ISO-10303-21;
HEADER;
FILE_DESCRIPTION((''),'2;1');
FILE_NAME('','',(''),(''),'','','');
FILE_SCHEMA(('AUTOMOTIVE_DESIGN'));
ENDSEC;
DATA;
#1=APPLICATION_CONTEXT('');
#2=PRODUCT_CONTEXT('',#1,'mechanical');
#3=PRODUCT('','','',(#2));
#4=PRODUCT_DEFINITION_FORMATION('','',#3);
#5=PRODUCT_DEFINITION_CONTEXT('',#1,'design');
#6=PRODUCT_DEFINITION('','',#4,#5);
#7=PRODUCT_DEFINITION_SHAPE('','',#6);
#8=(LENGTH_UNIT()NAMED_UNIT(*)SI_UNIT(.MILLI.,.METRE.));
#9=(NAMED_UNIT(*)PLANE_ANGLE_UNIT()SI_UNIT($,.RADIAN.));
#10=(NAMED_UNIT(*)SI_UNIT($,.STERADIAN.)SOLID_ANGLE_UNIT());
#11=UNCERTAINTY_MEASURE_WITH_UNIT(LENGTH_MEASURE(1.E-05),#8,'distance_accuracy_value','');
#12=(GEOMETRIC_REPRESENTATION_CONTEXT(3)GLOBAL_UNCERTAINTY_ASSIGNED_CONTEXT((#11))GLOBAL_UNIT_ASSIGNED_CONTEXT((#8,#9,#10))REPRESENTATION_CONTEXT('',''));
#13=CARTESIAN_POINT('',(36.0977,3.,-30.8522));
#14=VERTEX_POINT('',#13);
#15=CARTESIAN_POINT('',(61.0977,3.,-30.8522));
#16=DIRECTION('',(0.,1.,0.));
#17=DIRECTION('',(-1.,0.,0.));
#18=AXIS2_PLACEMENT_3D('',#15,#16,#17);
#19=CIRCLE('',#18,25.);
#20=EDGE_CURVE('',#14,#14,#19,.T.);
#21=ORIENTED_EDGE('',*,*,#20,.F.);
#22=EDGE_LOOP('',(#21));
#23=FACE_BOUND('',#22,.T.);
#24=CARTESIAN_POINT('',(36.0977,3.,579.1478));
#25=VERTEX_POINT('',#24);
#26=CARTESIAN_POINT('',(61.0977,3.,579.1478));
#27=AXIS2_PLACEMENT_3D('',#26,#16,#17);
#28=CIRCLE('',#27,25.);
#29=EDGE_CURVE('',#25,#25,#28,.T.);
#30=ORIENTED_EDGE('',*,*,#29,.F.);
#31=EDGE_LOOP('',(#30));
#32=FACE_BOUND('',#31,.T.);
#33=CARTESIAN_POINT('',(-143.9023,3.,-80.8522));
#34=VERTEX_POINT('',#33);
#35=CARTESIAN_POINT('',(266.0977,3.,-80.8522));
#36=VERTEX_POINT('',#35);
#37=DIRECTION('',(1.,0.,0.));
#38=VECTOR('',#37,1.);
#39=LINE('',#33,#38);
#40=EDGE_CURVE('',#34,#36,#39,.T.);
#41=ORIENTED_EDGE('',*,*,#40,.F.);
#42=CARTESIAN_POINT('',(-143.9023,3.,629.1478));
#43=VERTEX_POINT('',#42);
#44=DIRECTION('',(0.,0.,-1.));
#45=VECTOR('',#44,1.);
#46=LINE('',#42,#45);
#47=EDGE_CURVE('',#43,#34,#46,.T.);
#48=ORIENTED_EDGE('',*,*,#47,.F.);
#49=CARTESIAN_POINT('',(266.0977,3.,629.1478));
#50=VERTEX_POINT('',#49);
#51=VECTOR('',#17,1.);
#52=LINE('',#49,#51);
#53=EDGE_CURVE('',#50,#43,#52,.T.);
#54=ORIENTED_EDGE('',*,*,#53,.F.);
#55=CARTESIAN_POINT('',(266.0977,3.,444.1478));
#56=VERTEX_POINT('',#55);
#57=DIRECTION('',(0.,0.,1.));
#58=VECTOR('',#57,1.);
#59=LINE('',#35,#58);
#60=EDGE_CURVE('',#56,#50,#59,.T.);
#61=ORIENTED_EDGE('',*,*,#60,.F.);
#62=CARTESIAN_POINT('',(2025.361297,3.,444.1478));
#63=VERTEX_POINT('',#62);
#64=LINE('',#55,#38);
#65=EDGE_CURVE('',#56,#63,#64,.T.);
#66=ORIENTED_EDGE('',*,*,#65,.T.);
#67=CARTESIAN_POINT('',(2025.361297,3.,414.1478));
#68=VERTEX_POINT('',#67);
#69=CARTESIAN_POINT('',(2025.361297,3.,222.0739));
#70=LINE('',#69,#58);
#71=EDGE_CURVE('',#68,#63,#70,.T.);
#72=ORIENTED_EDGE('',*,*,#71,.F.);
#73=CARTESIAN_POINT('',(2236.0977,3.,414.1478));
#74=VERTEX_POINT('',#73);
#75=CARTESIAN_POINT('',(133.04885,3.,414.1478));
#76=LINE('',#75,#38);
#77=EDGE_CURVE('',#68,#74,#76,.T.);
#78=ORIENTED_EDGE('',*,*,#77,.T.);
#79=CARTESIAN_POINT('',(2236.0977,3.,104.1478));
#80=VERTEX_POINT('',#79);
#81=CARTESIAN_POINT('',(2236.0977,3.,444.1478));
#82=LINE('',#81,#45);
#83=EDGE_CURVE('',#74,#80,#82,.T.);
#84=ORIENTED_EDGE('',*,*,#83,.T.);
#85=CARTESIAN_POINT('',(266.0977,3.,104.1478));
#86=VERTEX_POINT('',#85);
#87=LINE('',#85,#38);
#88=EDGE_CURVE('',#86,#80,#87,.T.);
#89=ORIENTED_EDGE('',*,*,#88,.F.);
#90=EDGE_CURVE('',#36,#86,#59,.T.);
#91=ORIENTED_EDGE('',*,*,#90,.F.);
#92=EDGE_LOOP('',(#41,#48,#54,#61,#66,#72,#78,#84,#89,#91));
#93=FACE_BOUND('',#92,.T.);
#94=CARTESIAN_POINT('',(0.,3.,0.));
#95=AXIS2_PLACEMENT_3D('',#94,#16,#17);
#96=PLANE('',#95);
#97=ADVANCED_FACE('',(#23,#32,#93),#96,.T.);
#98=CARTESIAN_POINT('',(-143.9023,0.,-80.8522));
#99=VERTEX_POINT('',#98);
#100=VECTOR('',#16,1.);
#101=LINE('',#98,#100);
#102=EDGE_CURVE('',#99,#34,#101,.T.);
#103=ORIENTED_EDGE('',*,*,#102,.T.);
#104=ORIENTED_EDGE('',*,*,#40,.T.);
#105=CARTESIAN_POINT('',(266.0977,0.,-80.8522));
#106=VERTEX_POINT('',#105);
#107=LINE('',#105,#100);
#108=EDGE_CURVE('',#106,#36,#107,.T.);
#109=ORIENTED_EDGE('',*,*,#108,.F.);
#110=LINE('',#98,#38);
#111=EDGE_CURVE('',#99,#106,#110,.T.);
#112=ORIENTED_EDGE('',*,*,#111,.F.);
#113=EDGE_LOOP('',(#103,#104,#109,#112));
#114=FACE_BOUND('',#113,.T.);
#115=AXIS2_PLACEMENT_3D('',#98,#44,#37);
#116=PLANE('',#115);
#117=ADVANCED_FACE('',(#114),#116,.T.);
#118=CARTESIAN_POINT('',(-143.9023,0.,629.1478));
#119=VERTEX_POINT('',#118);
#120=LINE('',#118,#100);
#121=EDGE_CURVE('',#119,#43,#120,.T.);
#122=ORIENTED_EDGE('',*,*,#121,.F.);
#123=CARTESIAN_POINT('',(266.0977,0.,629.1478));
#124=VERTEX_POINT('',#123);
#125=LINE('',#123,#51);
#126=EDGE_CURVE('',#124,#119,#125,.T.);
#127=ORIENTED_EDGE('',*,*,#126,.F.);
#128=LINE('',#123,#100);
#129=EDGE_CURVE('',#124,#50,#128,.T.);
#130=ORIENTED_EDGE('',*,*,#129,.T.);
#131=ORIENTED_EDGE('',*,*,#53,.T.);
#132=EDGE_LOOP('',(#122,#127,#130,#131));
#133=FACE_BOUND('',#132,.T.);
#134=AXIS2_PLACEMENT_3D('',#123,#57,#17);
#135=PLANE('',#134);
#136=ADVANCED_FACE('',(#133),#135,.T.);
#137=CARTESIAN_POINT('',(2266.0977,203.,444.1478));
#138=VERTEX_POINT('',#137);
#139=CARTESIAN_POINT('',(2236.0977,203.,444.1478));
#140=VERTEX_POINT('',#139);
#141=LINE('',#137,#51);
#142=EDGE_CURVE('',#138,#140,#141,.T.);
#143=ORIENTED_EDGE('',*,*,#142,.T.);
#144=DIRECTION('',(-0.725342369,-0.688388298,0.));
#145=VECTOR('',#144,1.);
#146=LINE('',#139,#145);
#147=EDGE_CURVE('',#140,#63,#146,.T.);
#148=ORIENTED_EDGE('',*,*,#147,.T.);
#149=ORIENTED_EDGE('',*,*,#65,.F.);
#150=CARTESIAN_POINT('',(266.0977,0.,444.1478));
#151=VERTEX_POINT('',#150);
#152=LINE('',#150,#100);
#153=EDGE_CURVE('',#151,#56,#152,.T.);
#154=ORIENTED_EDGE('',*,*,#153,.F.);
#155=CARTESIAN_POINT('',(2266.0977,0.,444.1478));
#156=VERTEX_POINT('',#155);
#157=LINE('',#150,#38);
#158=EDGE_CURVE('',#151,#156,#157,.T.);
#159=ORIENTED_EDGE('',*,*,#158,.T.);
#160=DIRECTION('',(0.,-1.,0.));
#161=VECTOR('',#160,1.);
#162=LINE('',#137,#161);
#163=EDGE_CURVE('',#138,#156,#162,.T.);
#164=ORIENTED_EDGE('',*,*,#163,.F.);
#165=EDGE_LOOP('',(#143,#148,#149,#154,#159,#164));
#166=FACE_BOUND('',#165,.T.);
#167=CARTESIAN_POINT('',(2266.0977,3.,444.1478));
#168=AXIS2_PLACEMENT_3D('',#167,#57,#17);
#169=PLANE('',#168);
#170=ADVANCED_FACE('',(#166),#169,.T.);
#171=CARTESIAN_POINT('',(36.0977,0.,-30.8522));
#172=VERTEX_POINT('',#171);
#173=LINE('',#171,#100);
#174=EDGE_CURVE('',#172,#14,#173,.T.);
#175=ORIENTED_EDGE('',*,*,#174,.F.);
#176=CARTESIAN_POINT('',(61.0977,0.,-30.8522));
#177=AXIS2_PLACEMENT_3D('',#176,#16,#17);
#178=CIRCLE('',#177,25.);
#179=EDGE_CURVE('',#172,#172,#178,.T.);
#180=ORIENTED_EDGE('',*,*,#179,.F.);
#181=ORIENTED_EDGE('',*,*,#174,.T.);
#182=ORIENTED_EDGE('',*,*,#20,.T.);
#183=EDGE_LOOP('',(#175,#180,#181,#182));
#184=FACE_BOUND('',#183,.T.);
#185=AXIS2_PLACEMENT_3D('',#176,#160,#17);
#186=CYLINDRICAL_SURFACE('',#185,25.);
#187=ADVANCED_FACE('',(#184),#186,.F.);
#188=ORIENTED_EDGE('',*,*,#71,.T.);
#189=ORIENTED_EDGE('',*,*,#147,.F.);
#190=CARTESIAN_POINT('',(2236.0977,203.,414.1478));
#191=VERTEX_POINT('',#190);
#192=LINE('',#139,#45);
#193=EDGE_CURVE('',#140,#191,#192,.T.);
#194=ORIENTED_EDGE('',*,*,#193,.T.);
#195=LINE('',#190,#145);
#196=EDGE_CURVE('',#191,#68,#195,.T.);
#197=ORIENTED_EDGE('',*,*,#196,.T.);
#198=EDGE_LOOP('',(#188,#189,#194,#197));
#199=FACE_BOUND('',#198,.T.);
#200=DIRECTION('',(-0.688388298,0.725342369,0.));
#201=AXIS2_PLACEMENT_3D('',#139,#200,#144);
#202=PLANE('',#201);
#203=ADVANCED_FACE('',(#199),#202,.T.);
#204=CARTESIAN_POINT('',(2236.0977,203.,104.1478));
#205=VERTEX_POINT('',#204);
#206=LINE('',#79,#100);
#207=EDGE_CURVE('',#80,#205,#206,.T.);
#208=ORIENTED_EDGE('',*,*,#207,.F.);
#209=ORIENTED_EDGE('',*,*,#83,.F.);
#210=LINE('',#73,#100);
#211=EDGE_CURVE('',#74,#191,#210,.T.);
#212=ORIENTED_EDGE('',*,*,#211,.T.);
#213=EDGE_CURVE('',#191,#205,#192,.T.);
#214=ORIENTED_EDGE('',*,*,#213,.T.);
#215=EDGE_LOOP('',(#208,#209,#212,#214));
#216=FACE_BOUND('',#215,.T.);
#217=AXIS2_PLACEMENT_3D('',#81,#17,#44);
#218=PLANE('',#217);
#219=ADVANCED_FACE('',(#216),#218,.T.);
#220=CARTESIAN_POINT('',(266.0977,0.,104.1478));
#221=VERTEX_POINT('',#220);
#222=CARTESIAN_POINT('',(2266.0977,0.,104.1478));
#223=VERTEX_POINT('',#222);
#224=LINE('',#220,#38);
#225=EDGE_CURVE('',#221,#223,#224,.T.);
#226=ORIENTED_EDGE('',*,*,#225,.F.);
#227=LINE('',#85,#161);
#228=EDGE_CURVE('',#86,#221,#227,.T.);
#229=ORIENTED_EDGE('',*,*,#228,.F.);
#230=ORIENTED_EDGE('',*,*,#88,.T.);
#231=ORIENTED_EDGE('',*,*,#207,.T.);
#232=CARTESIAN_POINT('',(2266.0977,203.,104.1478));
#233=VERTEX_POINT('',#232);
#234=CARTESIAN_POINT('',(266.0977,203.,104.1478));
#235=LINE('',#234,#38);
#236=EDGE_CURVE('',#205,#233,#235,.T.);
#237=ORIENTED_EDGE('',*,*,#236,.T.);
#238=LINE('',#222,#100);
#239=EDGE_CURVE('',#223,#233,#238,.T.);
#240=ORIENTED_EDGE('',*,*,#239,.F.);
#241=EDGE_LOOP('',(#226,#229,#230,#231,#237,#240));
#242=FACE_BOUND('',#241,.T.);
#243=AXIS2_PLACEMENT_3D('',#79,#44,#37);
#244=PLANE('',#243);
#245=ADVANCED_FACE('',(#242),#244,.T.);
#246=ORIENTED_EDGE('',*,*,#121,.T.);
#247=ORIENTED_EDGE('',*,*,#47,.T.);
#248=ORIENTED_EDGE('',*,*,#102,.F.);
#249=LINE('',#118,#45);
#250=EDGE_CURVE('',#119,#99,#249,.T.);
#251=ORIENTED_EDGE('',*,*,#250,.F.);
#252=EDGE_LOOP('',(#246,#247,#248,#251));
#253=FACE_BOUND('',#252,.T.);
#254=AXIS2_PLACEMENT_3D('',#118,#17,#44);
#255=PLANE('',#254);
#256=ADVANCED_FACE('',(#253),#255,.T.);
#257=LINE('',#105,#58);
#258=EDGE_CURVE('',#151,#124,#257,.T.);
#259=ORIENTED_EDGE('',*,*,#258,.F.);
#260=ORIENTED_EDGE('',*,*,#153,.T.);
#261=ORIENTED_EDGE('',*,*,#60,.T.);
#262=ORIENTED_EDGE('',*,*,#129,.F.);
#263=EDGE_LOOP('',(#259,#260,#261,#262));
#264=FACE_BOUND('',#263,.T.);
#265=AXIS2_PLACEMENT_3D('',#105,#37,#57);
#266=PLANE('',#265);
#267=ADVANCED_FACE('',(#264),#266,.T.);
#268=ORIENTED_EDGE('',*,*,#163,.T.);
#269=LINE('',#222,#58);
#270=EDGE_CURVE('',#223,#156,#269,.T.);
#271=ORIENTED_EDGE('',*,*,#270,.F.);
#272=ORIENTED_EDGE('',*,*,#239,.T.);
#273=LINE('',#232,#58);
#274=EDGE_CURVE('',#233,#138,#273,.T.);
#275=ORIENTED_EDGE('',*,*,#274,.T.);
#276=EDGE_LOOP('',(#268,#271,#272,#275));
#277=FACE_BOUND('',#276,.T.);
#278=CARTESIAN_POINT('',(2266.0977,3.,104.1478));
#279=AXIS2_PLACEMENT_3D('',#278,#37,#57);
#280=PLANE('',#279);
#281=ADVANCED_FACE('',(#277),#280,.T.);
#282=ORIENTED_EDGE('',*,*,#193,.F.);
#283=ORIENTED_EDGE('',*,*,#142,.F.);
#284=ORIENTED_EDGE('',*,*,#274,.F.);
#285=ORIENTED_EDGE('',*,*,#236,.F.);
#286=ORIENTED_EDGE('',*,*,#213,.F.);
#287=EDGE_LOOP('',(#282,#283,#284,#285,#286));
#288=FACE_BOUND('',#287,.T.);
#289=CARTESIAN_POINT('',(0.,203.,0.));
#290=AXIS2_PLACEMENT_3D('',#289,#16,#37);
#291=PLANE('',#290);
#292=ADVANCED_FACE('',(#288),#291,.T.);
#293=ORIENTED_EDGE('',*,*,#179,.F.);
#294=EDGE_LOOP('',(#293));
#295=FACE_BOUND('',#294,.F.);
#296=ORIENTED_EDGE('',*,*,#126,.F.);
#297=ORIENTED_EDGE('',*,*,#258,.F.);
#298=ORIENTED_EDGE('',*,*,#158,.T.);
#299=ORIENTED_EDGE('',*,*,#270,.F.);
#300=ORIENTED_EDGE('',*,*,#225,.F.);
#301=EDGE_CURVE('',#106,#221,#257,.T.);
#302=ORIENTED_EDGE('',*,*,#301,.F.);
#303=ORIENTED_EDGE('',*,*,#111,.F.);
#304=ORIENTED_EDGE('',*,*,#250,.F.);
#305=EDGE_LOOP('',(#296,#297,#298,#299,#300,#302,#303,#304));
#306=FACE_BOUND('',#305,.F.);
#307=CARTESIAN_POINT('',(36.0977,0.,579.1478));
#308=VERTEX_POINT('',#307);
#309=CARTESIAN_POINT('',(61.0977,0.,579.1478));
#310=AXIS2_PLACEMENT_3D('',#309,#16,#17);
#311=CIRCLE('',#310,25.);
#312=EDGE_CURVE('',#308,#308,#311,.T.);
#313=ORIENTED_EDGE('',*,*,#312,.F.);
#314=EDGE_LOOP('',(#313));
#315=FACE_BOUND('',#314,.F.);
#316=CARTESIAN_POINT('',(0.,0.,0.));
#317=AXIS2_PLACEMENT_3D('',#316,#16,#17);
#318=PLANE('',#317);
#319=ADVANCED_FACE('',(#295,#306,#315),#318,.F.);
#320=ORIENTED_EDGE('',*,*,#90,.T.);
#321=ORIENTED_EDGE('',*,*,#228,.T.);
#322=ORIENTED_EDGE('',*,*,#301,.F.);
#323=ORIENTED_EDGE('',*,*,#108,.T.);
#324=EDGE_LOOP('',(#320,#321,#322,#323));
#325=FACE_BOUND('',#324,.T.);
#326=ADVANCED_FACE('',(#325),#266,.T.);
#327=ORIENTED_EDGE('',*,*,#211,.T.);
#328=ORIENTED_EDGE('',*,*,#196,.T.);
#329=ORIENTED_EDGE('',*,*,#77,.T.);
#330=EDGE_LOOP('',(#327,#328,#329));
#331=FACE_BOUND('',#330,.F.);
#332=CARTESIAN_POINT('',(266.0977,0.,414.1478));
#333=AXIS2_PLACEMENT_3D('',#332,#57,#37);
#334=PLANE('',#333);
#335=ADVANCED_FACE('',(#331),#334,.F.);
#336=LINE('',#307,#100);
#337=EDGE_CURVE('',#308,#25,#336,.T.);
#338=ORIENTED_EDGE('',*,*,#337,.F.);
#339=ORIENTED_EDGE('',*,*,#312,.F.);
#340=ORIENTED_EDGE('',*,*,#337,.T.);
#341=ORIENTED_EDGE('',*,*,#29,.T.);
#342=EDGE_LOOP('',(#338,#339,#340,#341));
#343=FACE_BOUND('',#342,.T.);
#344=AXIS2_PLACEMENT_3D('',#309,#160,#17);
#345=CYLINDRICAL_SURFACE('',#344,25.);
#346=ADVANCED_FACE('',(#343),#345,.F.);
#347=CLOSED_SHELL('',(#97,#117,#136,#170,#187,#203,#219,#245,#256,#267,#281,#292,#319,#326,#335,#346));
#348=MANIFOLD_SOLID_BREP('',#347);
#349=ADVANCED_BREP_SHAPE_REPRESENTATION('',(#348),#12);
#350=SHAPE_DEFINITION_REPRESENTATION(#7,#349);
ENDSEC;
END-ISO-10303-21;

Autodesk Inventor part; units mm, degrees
ref_plane "YZ Plane" through (0, 0, 0) normal (1, 0, 0) x (0, 1, 0)
ref_plane "XZ Plane" through (0, 0, 0) normal (0, 1, 0) x (-1, 0, 0)
ref_plane "XY Plane" through (0, 0, 0) normal (0, 0, 1) x (1, 0, 0)
sketch "Sketch1" plane through (0, 0, 0) normal (0, 1, 0) x (-1, 0, 0)
  line L0 (-266.0977, 629.1478) -> (143.9023, 629.1478)
  line L1 (143.9023, 629.1478) -> (143.9023, -80.8522)
  line L2 (143.9023, -80.8522) -> (-266.0977, -80.8522)
  line L3 (-266.0977, -80.8522) -> (-266.0977, 629.1478)
  circle A0 centre (-61.0977, 579.1478) radius 25
  circle A1 centre (-61.0977, -30.8522) radius 25
  point P0 (0, 0)
  dimension "d0" = 710
  dimension "d1" = 410
  dimension "d4" = 50
  dimension "d5" = 50
extrude "Extrusion1" add sketch "Sketch1" along normal blind 3
sketch "Sketch2" plane through (266.0977, 0, 629.1478) normal (1, 0, 0) x (0, 0, -1)
  line L0 (710, 3) -> (0, 3) projected
  line L1 (710, 3) -> (0, 3)
  line L2 (0, 3) -> (0, 0)
  line L3 (0, 0) -> (710, 0)
  line L4 (710, 0) -> (710, 3)
  line L5 (355, 0) -> (525, 0)
  line L6 (710, 0) -> (0, 0) projected
  line L7 (355, 3) -> (185, 3)
  line L8 (185, 3) -> (525, 3)
  line L9 (525, 3) -> (525, 0)
  line L10 (525, 0) -> (185, 0)
  line L11 (185, 0) -> (185, 3)
  point P0 (629.1478, 0)
  dimension "d8" = 170
  dimension "d9" = 170
extrude "Extrusion2" add sketch "Sketch2" along normal blind 2000 contours L9 L3 L11 L0
sketch "Sketch3" plane through (0, 3, 0) normal (0, 1, 0) x (1, 0, 0)
  line L0 (2266.0977, -104.1478) -> (2266.0977, -444.1478) projected
  line L1 (266.0977, -104.1478) -> (2266.0977, -104.1478) projected
  line L2 (2266.0977, -444.1478) -> (2236.0977, -444.1478)
  line L3 (2236.0977, -444.1478) -> (2236.0977, -104.1478)
  line L4 (2236.0977, -104.1478) -> (2266.0977, -104.1478)
  line L5 (2266.0977, -104.1478) -> (2266.0977, -444.1478)
  point P0 (0, 0)
  dimension "d12" = 340
  dimension "d13" = 30
extrude "Extrusion3" add sketch "Sketch3" along normal blind 200
sketch "Sketch4" plane through (266.0977, 0, 444.1478) normal (0, 0, 1) x (1, 0, 0)
  line L0 (1970, 3) -> (1970, 203) projected
  line L1 (1970, 203) -> (1970, 2.607)
  line L2 (0, 0) -> (2000, 0) projected
  line L3 (1970, 203) -> (1758.8495, 2.607)
  line L4 (1758.8495, 2.607) -> (1970, 2.607)
  line L5 (1970, 203) -> (1970, 2.607)
  point P0 (-266.0977, 0)
extrude "Extrusion4" add sketch "Sketch4" against normal blind 30
sketch "Sketch5" plane through (0, 3, 0) normal (0, 1, 0) x (1, 0, 0)
  line L0 (266.0977, 80.8522) -> (-143.9023, 80.8522) projected
  line L1 (-143.9023, 80.8522) -> (2266.0977, 80.8522)
  line L2 (-143.9023, 80.8522) -> (-143.9023, -629.1478) projected
  line L3 (-143.9023, 80.8522) -> (-143.9023, -629.1478)
  point P0 (0, 0)
  dimension "d18" = 2410
  dimension "d19" = 710
properties part number "soporte"
